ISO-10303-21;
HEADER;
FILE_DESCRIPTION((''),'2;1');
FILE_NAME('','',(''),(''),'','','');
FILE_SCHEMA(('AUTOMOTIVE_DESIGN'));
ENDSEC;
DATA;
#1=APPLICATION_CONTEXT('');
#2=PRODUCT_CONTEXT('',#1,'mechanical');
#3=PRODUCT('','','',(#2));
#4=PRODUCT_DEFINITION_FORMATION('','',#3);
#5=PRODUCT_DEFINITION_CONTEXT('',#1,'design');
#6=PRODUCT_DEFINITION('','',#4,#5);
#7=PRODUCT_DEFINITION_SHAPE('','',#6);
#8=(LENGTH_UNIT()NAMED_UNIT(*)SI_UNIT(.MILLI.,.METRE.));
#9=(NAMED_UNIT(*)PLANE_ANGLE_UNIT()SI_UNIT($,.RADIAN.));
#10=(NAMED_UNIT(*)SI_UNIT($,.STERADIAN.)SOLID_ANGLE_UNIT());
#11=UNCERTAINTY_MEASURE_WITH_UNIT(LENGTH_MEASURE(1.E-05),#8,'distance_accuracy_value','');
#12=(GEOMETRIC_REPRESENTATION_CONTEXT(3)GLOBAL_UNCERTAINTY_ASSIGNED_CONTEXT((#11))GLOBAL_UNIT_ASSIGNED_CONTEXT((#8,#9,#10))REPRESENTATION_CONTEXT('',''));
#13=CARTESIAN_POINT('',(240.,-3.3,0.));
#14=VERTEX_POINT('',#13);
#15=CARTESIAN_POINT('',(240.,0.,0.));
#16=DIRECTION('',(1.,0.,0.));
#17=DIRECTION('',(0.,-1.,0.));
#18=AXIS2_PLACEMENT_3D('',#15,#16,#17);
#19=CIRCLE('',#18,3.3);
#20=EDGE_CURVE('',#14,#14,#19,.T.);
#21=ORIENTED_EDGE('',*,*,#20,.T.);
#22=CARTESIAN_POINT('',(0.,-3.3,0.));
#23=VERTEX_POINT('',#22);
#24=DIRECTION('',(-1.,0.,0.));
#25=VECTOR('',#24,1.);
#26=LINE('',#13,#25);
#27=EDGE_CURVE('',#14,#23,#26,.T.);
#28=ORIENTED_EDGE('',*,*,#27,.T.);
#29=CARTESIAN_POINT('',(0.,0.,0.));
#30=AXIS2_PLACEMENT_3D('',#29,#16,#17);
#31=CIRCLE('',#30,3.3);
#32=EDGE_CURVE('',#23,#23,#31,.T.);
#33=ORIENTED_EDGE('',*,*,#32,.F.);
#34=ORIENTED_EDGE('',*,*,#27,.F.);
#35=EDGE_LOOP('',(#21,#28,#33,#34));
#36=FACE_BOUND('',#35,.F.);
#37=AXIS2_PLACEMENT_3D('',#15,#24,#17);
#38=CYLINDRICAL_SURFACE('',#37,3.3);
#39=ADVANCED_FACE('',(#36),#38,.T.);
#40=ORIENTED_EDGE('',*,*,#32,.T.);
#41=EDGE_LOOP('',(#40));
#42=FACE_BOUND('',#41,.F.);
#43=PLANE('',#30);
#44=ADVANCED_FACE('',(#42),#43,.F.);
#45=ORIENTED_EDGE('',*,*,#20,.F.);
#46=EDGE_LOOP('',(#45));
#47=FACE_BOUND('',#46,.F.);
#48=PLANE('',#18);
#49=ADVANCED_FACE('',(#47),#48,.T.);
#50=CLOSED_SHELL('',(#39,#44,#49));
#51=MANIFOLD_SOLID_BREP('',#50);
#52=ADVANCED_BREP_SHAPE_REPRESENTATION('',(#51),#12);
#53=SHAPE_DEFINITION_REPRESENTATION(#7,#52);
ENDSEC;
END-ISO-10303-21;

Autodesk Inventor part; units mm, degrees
ref_plane "YZ Plane" through (0, 0, 0) normal (1, 0, 0) x (0, 1, 0)
ref_plane "XZ Plane" through (0, 0, 0) normal (0, 1, 0) x (-1, 0, 0)
ref_plane "XY Plane" through (0, 0, 0) normal (0, 0, 1) x (1, 0, 0)
sketch "Sketch1" plane through (0, 0, 0) normal (0, 0, 1) x (1, 0, 0)
  line L0 (0, 0) -> (240, 0)
  line L1 (240, 0) -> (240, -3.3)
  line L2 (240, -3.3) -> (0, -3.3)
  line L3 (0, -3.3) -> (0, 0)
  line L4 (-48, 0) -> (288, 0) projected
  dimension "d0" = 3.3
  dimension "d1" = 240
revolve "Revolution1" add sketch "Sketch1" angle 360 about axis through (-10, 0, 0) along (1, 0, 0)
equation "\"BendRadius\" = Thickness"
equation "\"BendReliefWidth\" = Thickness"
equation "\"BendReliefDepth\" = 0.5 * Thickness"
equation "\"CornerReliefSize\" = 4 * Thickness"
equation "\"MinimumRemnant\" = 2 * Thickness"
equation "\"TransitionRadius\" = BendRadius"
equation "\"JacobiRadiusSize\" = BendRadius"
equation "\"GapSize\" = Thickness"
equation "\"Thickness\" = 0.5"
properties part number "wheel shaft"
